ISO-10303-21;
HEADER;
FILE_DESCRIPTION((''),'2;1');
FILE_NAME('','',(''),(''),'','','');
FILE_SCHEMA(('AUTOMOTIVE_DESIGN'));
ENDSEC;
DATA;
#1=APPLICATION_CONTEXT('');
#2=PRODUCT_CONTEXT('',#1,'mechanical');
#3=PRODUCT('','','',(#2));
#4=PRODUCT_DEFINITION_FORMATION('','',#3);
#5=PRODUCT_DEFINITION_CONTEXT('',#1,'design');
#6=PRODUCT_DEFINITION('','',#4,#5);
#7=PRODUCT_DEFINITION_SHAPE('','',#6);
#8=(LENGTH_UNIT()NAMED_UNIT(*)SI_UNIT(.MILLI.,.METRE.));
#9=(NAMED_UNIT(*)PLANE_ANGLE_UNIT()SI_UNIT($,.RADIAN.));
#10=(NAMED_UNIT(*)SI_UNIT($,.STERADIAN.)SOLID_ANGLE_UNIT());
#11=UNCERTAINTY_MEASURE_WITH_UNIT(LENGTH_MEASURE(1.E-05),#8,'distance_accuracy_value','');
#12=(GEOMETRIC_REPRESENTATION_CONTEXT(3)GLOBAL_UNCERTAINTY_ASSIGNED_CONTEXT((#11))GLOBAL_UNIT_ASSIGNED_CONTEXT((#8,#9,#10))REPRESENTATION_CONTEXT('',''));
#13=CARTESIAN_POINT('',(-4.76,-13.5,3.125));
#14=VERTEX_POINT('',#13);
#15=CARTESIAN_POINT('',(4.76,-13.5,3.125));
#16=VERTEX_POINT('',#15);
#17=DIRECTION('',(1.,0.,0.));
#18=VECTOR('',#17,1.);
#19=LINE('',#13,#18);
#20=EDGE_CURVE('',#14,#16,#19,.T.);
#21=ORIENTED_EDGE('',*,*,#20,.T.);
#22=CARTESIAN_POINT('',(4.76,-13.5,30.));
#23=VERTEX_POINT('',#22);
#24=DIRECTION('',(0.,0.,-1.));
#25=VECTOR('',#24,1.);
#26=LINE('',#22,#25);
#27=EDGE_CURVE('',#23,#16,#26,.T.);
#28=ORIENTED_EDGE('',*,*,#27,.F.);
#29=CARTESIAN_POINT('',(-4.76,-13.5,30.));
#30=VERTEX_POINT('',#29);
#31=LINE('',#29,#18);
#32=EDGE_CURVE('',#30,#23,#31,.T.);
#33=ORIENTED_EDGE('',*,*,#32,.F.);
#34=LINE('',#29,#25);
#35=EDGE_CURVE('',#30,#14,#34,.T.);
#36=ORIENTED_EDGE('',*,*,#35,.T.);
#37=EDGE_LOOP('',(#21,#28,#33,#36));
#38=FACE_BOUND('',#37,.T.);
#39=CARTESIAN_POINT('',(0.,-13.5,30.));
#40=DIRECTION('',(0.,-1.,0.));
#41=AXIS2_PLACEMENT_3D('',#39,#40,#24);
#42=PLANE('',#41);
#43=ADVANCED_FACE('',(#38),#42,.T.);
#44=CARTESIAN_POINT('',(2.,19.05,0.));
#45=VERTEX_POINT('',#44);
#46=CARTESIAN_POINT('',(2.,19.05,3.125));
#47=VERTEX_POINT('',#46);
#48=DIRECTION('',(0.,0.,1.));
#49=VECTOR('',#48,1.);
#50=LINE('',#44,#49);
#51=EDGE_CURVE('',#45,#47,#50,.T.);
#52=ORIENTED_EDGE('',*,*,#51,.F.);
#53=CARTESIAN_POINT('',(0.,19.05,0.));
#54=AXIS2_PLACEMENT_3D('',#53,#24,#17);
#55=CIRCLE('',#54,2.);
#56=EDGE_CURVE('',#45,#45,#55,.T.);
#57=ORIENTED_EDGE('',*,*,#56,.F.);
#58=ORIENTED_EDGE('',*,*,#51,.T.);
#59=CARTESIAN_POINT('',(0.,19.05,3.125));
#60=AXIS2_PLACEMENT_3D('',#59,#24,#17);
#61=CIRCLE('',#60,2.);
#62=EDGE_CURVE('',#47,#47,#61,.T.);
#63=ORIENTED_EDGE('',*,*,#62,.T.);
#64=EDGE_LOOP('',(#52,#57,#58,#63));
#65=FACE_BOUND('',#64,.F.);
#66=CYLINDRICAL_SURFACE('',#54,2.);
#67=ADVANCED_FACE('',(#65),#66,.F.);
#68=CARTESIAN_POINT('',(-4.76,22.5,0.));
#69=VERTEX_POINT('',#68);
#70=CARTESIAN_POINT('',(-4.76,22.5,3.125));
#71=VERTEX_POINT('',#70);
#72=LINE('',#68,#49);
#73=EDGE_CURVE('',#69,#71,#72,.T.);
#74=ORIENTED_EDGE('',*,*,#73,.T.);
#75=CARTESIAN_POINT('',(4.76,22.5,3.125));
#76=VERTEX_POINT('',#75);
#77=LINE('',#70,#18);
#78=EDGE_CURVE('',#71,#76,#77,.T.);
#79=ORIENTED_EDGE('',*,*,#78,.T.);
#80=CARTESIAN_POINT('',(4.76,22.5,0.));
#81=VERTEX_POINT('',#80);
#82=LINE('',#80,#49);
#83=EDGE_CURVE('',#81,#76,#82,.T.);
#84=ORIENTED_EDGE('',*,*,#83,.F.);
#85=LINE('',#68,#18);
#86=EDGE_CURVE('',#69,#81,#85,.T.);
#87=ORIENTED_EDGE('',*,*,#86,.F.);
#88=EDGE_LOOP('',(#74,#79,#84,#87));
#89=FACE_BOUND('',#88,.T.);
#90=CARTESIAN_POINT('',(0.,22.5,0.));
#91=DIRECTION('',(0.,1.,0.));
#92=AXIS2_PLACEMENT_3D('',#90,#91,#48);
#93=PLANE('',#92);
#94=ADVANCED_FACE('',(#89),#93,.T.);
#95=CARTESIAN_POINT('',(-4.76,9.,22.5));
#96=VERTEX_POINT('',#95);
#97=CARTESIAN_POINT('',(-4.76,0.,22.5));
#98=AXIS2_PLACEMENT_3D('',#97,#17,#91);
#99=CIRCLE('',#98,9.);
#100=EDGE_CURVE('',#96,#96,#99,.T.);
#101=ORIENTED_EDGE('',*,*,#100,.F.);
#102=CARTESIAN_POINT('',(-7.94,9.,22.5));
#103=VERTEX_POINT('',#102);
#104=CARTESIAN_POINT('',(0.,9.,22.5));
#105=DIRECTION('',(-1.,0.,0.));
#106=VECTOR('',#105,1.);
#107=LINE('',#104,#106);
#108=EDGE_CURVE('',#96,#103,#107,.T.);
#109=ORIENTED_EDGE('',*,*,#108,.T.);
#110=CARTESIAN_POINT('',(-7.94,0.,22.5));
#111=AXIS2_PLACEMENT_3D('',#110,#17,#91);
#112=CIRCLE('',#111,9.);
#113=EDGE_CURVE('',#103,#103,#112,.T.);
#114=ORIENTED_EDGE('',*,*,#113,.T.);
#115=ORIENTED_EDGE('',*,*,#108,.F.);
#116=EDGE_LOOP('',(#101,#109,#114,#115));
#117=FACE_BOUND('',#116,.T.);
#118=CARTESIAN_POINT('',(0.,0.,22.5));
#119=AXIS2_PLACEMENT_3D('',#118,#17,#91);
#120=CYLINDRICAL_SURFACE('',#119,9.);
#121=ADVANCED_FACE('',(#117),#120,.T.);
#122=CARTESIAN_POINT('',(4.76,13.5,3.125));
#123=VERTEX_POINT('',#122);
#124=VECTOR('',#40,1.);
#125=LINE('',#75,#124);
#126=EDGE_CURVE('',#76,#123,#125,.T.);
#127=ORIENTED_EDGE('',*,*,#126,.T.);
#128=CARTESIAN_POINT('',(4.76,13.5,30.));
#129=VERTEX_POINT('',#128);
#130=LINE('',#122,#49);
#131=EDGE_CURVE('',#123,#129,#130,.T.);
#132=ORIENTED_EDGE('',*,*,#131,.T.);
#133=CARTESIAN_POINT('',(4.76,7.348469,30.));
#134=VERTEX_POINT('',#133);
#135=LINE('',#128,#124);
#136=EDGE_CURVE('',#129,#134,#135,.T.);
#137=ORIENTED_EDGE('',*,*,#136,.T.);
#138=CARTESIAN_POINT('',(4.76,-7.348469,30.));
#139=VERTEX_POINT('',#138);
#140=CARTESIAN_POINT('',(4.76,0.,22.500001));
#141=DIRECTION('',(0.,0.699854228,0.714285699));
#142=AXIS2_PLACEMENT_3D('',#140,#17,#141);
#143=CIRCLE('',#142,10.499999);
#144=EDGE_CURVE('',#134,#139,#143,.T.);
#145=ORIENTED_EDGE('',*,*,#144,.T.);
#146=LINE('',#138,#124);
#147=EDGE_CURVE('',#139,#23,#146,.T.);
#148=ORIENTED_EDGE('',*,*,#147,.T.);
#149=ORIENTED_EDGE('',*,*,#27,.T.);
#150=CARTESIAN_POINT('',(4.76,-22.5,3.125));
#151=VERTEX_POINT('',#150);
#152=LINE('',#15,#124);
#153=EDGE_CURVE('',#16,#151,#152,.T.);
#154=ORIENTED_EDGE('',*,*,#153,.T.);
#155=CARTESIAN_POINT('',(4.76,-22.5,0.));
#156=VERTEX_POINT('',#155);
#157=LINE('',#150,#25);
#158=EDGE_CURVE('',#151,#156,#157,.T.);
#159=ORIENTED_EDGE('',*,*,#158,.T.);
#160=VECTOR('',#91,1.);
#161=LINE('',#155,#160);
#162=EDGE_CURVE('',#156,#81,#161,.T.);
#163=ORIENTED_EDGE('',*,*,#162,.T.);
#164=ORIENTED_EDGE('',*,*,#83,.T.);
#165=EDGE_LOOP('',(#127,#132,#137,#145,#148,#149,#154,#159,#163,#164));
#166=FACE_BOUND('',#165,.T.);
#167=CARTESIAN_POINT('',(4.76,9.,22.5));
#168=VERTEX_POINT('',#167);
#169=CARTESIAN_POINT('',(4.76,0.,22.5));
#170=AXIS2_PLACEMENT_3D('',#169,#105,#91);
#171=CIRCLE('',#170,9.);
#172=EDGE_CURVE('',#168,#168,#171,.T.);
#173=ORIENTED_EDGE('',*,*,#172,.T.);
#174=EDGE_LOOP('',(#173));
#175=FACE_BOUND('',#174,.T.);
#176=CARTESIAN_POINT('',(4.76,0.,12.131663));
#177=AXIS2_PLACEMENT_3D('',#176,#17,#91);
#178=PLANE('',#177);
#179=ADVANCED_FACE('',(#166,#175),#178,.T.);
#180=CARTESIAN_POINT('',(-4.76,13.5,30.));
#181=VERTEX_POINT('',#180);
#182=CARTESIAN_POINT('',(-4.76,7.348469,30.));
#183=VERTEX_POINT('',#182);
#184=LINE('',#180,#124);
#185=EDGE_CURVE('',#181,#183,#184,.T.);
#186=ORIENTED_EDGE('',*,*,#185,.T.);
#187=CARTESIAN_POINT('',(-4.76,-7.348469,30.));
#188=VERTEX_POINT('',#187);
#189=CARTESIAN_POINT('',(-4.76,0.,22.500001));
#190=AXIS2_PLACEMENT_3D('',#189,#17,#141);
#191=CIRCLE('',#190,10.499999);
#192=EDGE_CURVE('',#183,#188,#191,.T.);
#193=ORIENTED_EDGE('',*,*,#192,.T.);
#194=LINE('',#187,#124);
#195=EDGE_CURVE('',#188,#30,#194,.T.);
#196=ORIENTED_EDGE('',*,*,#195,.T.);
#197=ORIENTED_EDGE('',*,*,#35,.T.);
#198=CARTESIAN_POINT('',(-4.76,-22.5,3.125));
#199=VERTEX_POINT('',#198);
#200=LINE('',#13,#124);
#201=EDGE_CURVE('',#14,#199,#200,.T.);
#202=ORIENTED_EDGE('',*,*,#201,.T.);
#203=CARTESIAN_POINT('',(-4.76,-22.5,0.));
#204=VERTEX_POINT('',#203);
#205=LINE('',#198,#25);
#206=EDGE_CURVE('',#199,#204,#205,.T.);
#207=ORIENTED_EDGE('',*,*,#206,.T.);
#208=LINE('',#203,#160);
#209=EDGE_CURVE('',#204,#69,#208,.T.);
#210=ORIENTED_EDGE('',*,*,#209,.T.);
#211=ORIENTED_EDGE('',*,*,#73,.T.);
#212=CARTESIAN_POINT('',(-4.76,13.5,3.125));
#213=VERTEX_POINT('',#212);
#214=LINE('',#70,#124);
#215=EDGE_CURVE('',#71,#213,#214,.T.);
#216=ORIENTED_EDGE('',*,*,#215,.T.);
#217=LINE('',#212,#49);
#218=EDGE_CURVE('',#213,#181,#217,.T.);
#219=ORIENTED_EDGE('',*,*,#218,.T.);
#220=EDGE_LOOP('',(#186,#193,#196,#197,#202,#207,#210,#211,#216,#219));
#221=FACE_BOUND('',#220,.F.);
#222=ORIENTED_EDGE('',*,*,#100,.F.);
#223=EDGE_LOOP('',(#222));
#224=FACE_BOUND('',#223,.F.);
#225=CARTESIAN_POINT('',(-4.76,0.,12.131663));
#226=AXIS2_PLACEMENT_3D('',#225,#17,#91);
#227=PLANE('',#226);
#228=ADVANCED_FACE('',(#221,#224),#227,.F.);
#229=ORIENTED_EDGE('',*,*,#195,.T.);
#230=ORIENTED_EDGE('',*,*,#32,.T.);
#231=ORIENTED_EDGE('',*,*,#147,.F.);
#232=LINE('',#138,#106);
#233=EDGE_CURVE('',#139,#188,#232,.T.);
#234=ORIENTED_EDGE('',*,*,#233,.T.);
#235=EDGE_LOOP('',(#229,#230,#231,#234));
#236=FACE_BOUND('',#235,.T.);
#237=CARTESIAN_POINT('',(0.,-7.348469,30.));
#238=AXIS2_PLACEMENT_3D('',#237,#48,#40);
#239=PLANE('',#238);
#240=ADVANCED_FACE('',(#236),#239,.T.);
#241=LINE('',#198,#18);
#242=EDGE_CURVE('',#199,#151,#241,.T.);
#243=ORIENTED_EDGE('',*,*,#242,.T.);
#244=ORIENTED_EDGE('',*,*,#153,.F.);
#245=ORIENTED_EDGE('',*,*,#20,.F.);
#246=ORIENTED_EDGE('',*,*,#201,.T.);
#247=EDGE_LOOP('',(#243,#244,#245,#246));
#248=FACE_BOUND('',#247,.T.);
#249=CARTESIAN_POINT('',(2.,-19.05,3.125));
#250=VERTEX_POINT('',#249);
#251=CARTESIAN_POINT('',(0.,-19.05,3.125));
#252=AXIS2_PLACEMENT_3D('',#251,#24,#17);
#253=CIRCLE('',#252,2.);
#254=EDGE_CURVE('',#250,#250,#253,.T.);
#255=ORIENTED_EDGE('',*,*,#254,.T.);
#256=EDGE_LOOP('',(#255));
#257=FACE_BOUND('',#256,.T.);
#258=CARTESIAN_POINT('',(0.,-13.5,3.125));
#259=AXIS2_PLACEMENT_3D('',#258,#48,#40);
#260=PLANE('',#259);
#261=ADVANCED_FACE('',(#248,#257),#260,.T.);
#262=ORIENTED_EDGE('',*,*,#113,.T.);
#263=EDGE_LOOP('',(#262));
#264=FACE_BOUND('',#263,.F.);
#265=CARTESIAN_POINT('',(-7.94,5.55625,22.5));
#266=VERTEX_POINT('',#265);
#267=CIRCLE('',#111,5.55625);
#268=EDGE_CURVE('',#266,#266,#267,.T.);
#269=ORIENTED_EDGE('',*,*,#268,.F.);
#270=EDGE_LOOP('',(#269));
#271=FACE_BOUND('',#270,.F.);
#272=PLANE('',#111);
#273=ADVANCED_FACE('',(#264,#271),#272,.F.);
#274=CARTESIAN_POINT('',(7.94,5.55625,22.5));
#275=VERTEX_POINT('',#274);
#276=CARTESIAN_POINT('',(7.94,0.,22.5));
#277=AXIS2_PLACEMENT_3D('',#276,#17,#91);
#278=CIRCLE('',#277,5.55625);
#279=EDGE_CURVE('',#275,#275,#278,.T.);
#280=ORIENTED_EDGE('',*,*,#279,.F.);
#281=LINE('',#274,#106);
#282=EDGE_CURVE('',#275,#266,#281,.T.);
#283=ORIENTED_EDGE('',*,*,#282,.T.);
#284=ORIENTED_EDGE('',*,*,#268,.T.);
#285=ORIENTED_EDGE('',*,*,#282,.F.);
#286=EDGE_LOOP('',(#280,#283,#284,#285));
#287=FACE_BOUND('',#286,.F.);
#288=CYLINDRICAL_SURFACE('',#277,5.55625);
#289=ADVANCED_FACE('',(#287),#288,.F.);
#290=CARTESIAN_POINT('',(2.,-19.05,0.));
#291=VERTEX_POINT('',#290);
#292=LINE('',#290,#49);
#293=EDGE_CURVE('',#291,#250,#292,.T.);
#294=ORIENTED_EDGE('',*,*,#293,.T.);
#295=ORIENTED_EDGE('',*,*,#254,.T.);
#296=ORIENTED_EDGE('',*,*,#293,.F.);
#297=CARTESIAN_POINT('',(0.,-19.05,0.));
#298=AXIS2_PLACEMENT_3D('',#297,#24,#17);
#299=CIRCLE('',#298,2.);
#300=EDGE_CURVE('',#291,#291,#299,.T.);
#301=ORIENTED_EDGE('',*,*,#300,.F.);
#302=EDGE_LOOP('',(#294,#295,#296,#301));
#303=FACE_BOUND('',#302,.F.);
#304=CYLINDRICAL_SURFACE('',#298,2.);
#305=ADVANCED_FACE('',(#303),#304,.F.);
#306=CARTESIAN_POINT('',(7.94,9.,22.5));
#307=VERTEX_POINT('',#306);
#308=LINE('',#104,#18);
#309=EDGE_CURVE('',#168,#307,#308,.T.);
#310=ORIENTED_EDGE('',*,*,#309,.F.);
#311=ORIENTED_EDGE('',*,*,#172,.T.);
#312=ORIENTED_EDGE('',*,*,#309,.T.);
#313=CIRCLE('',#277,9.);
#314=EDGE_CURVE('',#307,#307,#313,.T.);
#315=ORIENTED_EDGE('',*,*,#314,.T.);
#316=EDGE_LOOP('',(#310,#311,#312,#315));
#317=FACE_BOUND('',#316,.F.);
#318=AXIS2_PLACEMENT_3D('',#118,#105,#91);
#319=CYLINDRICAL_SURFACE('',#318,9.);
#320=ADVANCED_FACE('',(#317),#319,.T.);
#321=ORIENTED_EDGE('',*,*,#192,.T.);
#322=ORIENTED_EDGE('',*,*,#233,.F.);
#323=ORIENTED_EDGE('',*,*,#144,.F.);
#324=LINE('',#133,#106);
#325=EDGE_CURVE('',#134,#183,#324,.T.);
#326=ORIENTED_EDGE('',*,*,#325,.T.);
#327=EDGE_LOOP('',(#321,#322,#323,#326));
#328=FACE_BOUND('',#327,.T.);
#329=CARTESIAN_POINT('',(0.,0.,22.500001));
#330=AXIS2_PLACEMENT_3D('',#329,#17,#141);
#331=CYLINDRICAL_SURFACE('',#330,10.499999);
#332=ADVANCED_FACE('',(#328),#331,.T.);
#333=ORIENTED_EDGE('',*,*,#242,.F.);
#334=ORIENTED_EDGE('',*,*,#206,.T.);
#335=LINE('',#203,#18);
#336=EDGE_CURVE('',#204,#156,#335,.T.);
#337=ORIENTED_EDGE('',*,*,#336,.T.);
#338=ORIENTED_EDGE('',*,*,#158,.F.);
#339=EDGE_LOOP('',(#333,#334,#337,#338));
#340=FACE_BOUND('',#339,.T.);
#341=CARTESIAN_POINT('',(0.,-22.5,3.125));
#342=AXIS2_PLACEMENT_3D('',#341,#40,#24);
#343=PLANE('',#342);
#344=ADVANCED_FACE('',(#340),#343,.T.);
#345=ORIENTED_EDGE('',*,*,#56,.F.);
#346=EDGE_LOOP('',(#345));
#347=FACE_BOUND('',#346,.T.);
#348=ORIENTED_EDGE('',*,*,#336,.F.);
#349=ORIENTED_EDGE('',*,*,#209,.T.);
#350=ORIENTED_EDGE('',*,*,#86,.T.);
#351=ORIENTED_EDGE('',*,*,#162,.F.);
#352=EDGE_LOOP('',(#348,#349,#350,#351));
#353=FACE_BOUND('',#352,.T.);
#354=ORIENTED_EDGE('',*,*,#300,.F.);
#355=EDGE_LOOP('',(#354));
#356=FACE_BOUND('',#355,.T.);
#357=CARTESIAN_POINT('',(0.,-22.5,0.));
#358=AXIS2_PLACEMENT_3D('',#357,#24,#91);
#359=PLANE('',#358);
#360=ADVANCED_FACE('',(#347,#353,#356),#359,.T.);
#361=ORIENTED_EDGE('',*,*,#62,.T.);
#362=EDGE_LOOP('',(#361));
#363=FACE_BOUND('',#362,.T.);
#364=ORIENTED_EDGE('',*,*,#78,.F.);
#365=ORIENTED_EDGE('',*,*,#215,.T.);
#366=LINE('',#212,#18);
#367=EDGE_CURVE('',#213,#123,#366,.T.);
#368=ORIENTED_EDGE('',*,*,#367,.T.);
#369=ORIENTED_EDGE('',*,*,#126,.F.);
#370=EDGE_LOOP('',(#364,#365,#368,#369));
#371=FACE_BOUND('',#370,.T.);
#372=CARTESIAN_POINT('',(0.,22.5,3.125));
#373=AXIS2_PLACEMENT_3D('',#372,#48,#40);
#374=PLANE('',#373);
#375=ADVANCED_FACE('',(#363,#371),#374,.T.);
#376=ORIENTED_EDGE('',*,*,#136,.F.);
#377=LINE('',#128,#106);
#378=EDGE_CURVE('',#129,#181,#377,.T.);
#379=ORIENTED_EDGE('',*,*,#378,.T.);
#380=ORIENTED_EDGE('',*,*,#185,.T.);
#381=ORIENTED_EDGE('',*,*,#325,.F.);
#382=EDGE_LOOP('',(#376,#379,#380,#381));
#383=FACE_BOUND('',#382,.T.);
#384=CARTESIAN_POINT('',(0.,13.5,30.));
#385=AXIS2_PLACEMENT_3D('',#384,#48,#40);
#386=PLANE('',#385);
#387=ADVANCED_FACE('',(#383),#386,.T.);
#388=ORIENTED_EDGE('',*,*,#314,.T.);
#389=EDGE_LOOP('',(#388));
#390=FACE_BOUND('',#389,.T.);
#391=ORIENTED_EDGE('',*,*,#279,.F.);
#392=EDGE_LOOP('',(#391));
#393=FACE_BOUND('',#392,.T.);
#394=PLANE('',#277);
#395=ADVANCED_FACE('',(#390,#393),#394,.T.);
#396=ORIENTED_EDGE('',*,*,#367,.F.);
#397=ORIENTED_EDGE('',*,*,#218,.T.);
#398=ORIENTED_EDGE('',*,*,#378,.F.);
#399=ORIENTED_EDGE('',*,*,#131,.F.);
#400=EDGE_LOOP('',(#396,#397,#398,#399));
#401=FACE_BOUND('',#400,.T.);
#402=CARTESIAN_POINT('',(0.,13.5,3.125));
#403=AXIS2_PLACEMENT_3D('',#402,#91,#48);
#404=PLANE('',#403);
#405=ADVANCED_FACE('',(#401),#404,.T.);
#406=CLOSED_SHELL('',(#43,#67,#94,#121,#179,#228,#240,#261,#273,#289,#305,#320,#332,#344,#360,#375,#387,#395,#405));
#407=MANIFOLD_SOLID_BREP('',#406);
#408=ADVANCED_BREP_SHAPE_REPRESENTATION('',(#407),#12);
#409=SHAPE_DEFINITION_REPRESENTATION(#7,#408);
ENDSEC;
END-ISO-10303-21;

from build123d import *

# Parameters (mm, degrees)
F1_DEPTH      = 4.76
F1_DEPTH_BACK = 4.76
F2_R          = 9
F3_DEPTH      = 7.94
F3_DEPTH_BACK = 7.94
F4_R          = 5.55625
F5_DEPTH      = 15.881
F6_R          = 2
F7_DEPTH      = 33.001


with BuildPart() as f1:
    # F0 (on Right) → F1 (new body, two sides)
    with BuildSketch(Plane.YZ) as f1_sk:
        with BuildLine():
            Line((-7.348469, 30), (-13.5, 30))
            Line((-13.5, 30), (-13.5, 3.125))
            Line((-13.5, 3.125), (-22.5, 3.125))
            Line((-22.5, 3.125), (-22.5, 0))
            Line((-22.5, 0), (22.5, 0))
            Line((22.5, 0), (22.5, 3.125))
            Line((22.5, 3.125), (13.5, 3.125))
            Line((13.5, 3.125), (13.5, 30))
            Line((13.5, 30), (7.348469, 30))
            ThreePointArc((7.348469, 30), (0, 33), (-7.348469, 30))
        make_face()
    extrude(amount=F1_DEPTH)
    extrude(f1_sk.sketch, amount=-F1_DEPTH_BACK)

    # F2 (on Right) → F3 (join, two sides)
    with BuildSketch(Plane.YZ) as f3_sk:
        with Locations((0, 22.5)):
            Circle(F2_R)
    extrude(amount=F3_DEPTH)
    extrude(f3_sk.sketch, amount=-F3_DEPTH_BACK)

    # F4 (on face) → F5 (cut, through all)
    with BuildSketch(Plane.YZ.offset(7.94)):
        with Locations((0, 22.5)):
            Circle(F4_R)
    extrude(amount=-F5_DEPTH, mode=Mode.SUBTRACT)

    # F6 (on face) → F7 (cut, through all)
    with BuildSketch(Plane(origin=(0, 0, 0), x_dir=(1, 0, 0), z_dir=(0, 0, -1))):
        with Locations((0, 19.05)):
            Circle(F6_R)
        with Locations((0, -19.05)):
            Circle(F6_R)
    extrude(amount=-F7_DEPTH, mode=Mode.SUBTRACT)


solid = f1.part
